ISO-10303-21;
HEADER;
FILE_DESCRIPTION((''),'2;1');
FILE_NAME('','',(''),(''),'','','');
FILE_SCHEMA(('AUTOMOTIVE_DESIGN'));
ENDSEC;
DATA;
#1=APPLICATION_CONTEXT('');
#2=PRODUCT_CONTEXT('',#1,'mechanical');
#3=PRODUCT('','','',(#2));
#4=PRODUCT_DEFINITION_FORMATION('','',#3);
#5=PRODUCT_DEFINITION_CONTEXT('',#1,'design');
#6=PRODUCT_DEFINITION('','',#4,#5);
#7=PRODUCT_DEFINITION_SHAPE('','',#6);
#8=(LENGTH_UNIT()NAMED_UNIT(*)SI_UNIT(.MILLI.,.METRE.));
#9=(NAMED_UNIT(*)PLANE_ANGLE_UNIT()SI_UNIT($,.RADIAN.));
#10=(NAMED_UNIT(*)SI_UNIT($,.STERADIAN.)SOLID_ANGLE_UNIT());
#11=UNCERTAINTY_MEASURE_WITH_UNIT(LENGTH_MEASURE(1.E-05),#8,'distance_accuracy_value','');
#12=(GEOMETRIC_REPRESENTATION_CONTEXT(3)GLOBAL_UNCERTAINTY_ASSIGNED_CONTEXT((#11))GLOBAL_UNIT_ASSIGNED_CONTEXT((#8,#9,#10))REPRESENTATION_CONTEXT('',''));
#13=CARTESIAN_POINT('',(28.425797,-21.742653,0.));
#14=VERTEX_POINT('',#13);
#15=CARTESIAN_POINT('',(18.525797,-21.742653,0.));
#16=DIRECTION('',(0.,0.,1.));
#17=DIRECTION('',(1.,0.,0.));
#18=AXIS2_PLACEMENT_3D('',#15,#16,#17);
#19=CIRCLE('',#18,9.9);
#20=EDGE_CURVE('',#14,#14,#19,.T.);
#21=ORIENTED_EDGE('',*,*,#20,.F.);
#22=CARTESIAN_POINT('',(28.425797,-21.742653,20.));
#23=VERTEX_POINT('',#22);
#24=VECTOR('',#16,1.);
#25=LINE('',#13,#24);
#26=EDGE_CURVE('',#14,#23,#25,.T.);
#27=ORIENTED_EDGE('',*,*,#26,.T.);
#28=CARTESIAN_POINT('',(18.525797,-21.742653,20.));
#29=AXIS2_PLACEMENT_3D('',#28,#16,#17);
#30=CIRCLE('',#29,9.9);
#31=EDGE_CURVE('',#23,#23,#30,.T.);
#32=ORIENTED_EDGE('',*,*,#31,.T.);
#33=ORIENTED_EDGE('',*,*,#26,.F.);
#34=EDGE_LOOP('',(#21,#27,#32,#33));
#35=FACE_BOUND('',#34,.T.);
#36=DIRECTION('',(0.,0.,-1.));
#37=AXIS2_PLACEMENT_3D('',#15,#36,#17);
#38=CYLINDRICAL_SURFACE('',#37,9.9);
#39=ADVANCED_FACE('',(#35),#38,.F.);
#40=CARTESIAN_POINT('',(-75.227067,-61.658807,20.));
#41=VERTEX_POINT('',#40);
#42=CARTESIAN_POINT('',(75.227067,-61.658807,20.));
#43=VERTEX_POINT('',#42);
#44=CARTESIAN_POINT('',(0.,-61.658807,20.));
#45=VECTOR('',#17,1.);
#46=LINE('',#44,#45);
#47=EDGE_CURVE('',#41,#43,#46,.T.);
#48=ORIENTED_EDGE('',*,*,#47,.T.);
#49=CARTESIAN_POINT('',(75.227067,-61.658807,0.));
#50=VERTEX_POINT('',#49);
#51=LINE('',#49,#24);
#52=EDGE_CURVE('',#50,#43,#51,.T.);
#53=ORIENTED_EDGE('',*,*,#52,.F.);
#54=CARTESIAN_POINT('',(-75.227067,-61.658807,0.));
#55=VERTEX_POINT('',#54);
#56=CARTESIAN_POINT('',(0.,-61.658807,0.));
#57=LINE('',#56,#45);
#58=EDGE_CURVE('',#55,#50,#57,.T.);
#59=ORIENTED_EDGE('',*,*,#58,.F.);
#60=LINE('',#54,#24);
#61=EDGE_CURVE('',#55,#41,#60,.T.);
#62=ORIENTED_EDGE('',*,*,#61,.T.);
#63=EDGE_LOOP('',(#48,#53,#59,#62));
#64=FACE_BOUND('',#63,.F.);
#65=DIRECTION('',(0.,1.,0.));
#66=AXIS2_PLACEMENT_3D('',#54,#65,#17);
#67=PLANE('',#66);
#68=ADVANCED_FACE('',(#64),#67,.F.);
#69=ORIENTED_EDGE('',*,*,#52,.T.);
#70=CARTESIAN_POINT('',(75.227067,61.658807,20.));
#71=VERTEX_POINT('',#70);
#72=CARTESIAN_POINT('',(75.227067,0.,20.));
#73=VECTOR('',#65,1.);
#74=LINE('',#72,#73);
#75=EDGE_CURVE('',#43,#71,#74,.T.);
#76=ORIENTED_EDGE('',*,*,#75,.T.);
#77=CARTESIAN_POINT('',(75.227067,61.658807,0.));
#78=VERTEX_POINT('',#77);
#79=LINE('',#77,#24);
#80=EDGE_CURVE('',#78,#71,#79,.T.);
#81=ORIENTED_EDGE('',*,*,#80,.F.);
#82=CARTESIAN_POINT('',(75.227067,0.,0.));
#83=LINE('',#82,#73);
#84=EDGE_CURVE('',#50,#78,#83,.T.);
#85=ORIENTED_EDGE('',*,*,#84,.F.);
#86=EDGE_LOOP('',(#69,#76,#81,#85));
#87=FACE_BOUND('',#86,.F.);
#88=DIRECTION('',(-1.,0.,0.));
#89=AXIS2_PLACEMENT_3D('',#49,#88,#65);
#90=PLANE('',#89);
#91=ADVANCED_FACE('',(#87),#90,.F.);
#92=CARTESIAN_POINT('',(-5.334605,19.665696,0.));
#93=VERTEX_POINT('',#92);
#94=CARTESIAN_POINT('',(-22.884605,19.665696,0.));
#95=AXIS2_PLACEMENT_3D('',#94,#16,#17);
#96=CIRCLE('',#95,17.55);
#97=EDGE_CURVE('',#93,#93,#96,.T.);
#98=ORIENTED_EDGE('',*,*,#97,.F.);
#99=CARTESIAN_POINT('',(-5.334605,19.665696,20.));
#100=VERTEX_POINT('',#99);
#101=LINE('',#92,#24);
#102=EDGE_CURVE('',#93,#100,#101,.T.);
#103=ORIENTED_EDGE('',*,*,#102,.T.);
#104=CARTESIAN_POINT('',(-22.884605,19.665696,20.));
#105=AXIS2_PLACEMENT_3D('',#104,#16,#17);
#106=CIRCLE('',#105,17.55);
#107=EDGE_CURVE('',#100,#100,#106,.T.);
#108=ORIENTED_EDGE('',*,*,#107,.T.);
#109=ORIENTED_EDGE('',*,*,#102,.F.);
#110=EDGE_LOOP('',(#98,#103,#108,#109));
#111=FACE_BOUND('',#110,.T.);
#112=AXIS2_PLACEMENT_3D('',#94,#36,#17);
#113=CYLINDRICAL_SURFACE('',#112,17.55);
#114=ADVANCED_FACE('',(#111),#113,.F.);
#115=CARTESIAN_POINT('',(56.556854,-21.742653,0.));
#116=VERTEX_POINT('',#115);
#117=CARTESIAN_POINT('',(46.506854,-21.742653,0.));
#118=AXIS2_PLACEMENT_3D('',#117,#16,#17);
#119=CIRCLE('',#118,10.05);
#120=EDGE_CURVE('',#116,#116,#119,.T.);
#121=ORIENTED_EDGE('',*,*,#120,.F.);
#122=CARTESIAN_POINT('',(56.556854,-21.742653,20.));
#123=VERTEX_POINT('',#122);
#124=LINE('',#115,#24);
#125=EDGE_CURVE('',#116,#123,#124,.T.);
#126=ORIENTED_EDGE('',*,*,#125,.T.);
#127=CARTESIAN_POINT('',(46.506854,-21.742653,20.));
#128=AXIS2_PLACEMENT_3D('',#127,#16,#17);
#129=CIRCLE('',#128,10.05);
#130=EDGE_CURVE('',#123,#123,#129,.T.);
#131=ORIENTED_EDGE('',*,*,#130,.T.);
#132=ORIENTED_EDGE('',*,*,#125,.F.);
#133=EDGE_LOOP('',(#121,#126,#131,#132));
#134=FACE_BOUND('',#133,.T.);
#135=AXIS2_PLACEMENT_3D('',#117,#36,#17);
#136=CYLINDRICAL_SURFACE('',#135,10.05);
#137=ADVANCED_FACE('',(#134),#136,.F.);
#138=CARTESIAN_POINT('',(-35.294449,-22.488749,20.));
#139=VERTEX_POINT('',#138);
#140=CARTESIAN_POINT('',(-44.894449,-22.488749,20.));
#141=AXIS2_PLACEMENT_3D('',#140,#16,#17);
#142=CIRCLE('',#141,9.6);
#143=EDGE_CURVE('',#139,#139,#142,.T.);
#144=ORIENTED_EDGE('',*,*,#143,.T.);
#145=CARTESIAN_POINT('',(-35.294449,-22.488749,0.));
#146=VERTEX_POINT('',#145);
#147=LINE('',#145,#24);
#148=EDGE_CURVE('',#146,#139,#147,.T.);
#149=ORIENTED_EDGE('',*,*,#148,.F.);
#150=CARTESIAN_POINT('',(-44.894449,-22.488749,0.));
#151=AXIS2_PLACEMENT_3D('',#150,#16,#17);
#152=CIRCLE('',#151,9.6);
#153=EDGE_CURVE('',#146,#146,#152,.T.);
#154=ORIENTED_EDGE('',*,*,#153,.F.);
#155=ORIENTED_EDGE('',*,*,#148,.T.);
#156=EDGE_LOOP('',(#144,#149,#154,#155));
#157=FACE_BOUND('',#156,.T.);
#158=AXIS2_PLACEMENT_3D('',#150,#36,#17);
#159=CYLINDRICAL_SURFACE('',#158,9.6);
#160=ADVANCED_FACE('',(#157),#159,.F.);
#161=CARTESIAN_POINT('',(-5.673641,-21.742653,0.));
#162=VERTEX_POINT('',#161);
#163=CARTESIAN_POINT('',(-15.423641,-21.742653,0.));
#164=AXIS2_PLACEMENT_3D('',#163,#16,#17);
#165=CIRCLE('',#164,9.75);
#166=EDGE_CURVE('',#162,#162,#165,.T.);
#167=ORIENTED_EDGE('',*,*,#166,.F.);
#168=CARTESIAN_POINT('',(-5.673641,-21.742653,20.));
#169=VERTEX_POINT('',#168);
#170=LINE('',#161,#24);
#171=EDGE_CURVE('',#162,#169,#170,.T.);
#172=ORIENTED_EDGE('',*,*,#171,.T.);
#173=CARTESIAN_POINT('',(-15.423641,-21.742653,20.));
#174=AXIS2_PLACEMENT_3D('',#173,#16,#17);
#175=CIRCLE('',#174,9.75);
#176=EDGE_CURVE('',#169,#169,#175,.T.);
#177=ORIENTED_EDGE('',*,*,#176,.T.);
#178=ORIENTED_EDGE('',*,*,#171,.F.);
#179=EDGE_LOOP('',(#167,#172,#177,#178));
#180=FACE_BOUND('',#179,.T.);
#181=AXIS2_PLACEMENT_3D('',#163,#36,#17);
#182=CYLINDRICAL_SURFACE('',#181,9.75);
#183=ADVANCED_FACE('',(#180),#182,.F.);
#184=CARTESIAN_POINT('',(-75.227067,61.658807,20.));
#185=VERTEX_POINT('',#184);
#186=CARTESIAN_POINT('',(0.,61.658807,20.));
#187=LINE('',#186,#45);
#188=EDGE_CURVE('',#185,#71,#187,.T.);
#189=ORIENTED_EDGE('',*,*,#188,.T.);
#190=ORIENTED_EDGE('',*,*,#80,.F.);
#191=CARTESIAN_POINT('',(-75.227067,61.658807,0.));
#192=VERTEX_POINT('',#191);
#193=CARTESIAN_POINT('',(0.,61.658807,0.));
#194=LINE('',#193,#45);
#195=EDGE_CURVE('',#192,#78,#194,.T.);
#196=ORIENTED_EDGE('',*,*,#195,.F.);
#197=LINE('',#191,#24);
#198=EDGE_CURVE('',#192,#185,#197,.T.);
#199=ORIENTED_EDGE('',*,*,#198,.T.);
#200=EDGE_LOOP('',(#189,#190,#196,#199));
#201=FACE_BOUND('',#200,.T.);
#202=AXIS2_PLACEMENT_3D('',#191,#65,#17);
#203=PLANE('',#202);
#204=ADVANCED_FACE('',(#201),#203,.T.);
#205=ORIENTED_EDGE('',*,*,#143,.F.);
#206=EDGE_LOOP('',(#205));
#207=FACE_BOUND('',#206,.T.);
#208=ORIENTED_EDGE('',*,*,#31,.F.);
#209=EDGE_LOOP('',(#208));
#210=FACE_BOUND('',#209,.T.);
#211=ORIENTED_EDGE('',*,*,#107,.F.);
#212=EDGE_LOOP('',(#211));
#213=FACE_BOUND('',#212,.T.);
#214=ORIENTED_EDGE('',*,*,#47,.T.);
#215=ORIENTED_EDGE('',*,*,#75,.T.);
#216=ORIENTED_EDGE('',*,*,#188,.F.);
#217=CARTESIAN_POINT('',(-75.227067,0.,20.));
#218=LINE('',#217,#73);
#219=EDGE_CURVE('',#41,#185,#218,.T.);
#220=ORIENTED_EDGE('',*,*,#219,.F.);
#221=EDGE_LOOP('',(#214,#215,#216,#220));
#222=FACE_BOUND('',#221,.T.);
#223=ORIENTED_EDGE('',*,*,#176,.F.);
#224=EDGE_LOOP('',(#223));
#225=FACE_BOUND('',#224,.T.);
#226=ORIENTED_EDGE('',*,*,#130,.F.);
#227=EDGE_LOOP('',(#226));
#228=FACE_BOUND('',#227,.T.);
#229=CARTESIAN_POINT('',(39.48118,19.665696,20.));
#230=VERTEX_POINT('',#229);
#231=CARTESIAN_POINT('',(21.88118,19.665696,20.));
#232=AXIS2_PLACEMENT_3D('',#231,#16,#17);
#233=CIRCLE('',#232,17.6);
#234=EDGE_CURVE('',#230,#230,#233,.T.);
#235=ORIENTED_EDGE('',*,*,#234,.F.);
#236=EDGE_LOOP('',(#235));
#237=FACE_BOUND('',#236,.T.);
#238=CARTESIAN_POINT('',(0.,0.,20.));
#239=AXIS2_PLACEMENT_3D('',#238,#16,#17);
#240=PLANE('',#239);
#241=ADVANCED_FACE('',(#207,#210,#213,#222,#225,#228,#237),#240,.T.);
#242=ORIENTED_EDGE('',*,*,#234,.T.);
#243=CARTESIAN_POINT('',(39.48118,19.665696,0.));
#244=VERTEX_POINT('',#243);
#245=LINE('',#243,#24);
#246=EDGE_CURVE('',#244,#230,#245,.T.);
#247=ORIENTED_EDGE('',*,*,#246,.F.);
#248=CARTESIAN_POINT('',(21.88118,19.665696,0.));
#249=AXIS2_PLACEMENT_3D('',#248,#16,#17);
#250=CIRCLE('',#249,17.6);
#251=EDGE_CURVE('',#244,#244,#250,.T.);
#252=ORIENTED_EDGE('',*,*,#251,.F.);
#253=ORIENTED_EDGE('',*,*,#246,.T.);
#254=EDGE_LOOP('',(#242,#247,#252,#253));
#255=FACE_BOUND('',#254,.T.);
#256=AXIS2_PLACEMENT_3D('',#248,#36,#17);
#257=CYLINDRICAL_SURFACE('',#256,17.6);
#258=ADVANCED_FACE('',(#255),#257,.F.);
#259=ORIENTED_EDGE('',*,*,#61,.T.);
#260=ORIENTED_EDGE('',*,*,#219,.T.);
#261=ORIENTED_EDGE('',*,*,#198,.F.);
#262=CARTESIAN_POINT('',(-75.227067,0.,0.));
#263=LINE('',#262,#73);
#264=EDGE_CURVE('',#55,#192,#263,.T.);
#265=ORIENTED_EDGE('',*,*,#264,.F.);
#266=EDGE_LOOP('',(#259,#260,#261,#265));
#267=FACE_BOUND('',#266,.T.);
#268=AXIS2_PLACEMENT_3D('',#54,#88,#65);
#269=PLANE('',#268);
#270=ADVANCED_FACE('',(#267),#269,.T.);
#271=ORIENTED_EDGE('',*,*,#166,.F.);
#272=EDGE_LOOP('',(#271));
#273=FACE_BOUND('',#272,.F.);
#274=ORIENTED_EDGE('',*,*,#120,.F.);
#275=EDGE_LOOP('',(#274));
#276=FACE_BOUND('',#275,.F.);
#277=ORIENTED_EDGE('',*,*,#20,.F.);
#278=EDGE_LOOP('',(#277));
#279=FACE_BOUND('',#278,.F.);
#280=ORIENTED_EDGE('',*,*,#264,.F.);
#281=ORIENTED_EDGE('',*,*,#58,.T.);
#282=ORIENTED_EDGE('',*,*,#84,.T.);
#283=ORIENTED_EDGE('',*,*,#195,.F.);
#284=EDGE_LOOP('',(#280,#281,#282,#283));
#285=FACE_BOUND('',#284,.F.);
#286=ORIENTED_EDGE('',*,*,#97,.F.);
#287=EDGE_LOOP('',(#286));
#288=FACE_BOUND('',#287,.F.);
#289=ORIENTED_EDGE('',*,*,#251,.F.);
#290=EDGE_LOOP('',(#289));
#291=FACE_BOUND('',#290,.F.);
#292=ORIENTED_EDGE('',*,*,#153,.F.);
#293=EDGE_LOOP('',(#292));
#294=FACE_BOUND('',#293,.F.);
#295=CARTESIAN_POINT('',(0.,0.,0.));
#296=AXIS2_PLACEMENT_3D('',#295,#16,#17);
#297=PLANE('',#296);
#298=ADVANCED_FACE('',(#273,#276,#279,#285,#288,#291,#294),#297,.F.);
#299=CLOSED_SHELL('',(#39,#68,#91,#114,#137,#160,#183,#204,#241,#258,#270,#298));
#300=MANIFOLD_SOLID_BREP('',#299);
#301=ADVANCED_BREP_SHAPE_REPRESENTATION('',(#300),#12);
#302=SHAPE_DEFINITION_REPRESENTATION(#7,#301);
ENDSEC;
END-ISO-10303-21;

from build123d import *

# Parameters (mm, degrees)
F0_W     = 150.454134
F0_H     = 123.317614
F0_R     = 9.6
F0_R_2   = 9.75
F0_R_3   = 9.9
F0_R_4   = 10.05
F0_R_5   = 17.55
F0_R_6   = 17.6
F1_DEPTH = 20


with BuildPart() as f1:
    # F0 (on Top) → F1 (new body)
    with BuildSketch(Plane.XY):
        Rectangle(F0_W, F0_H)
        with Locations((-44.894449, -22.488749)):
            Circle(F0_R, mode=Mode.SUBTRACT)
        with Locations((-15.423641, -21.742653)):
            Circle(F0_R_2, mode=Mode.SUBTRACT)
        with Locations((18.525797, -21.742653)):
            Circle(F0_R_3, mode=Mode.SUBTRACT)
        with Locations((46.506854, -21.742653)):
            Circle(F0_R_4, mode=Mode.SUBTRACT)
        with Locations((-22.884605, 19.665696)):
            Circle(F0_R_5, mode=Mode.SUBTRACT)
        with Locations((21.88118, 19.665696)):
            Circle(F0_R_6, mode=Mode.SUBTRACT)
    extrude(amount=F1_DEPTH)


solid = f1.part
